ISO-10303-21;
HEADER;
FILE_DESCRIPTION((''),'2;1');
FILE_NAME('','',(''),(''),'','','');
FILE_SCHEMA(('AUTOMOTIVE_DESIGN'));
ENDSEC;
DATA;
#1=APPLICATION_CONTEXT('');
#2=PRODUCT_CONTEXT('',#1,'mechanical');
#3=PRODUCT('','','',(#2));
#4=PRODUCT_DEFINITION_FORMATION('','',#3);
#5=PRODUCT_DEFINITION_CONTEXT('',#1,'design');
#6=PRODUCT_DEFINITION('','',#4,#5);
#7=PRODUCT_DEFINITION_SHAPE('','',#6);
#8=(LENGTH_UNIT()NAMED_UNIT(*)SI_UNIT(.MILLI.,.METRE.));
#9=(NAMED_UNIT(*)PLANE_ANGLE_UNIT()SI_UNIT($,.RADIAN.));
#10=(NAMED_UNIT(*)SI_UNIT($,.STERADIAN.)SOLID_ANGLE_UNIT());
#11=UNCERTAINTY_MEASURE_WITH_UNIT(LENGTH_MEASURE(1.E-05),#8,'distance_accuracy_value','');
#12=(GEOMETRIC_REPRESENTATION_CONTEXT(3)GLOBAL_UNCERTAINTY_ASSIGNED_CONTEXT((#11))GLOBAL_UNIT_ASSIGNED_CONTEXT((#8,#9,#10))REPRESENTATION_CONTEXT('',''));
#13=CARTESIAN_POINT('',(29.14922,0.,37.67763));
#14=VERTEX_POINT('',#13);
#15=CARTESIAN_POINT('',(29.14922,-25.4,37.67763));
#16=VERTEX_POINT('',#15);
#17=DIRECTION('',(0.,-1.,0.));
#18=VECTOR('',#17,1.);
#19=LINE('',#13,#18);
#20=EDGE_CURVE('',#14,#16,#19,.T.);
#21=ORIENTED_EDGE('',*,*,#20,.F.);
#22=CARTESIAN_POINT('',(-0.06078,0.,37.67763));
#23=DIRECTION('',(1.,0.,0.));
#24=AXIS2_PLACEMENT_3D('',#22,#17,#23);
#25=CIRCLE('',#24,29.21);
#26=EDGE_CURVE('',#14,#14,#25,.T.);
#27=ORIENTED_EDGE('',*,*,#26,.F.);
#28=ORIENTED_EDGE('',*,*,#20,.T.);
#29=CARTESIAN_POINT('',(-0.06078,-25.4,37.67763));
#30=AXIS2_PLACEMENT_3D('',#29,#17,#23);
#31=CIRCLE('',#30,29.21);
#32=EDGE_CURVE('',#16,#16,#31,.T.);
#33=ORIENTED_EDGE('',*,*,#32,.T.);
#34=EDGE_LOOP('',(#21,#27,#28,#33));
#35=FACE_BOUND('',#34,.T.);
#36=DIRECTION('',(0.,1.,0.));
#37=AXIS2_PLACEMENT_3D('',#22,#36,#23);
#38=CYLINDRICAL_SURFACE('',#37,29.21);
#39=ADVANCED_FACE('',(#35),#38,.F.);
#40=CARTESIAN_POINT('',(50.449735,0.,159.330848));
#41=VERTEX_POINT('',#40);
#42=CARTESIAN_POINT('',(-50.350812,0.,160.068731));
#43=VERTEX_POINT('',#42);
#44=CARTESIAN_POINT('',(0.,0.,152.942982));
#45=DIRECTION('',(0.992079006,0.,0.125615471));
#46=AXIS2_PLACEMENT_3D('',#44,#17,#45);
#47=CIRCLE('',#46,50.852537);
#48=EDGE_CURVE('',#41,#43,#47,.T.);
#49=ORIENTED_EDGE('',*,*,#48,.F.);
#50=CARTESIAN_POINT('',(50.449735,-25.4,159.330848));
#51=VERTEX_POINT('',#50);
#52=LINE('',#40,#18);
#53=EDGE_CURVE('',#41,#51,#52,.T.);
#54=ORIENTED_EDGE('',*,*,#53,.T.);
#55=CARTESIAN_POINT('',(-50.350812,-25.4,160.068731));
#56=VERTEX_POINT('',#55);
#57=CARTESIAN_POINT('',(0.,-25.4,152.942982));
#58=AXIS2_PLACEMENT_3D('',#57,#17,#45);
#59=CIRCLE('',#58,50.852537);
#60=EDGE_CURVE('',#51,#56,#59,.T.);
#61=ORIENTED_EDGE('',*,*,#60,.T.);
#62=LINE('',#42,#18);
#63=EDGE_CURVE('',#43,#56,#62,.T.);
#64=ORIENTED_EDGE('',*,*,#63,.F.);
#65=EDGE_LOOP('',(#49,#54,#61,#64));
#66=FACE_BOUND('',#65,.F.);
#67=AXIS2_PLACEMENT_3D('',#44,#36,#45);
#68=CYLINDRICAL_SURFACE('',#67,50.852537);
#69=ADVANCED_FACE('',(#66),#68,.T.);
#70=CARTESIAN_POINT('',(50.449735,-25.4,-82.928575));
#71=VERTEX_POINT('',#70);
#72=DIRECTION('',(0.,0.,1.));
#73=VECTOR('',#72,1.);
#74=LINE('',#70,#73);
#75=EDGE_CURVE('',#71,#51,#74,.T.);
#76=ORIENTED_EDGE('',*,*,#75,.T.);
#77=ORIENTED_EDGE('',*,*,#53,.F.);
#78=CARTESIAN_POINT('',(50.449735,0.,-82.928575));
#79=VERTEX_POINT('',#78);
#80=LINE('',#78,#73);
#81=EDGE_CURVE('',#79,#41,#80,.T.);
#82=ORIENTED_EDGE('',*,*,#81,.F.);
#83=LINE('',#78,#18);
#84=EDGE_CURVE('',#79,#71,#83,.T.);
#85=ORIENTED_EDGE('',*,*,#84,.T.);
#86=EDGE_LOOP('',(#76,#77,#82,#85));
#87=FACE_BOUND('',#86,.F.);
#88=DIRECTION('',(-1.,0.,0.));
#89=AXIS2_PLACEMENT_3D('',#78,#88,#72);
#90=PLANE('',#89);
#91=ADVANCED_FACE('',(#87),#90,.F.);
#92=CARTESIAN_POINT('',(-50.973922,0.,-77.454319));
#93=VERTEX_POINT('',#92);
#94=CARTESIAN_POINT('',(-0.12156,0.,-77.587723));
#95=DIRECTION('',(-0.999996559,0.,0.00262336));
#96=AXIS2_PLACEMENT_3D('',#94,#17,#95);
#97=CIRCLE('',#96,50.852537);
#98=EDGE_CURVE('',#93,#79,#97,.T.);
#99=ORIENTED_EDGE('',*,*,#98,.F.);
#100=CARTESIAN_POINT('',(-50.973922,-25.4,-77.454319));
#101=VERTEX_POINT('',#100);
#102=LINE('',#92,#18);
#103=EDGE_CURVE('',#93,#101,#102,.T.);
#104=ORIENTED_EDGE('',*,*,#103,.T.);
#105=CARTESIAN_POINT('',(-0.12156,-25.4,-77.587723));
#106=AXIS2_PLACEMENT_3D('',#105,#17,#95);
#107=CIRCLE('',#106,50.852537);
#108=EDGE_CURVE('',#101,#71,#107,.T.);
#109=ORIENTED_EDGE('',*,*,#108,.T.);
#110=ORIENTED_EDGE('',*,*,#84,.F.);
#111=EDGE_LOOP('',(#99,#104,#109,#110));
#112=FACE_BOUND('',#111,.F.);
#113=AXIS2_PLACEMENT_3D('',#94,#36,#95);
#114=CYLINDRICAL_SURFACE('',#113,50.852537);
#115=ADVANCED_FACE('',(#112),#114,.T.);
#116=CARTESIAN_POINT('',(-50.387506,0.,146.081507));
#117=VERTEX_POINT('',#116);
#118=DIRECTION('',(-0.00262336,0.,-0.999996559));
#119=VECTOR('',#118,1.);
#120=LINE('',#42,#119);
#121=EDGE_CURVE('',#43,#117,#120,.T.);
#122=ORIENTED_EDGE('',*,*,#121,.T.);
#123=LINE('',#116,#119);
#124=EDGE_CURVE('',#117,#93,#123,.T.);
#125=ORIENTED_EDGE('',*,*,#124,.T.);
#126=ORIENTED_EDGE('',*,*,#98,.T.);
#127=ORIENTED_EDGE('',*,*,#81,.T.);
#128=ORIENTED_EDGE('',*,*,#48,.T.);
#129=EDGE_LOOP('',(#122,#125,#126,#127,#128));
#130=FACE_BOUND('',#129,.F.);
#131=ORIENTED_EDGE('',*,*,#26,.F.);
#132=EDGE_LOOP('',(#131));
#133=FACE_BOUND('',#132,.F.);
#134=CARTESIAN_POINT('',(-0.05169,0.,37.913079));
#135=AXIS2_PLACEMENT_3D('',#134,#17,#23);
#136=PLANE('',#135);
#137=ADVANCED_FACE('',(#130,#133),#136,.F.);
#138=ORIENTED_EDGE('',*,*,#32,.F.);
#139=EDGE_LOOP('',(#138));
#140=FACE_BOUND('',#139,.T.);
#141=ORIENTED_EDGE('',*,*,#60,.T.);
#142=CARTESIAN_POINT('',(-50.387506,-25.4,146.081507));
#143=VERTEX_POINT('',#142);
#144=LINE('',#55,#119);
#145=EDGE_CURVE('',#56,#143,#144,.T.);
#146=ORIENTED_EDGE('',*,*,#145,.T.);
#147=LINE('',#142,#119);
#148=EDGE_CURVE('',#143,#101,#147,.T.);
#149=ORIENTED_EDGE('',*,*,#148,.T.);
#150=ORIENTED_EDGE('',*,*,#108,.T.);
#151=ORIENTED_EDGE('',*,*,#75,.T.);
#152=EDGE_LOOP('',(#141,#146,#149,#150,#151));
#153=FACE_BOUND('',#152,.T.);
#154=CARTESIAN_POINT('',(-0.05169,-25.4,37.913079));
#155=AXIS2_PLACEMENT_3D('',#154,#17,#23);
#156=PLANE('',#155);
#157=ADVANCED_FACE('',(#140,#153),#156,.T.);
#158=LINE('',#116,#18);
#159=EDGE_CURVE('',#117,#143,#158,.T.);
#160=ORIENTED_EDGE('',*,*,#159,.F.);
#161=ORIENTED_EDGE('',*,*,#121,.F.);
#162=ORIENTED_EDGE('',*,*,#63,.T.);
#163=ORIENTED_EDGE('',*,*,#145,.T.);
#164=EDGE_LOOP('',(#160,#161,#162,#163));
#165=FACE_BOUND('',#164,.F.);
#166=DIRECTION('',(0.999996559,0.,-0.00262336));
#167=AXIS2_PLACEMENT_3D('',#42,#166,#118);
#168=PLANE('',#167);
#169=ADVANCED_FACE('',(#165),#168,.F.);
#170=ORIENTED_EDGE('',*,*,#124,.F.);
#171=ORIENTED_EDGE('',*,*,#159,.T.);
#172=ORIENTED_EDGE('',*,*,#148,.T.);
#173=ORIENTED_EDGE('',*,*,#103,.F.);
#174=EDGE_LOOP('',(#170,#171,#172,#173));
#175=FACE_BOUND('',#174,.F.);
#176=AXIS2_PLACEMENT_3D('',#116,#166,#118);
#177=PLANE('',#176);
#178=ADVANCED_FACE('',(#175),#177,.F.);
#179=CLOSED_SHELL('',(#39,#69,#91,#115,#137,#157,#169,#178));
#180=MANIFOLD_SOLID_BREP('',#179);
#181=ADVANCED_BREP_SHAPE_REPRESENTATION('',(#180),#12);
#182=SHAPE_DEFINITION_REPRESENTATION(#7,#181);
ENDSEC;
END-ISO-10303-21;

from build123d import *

# Parameters (mm, degrees)
F0_R     = 29.21
F1_DEPTH = 25.4


with BuildPart() as f1:
    # F0 (on Front) → F1 (new body)
    with BuildSketch(Plane.XZ):
        with BuildLine():
            Line((50.449734673, -72.2468710004), (50.449734673, 146.5551168173))
            Line((50.449734673, 146.5551168173), (50.449734673, 159.3308476873))
            ThreePointArc((50.449734673, 159.3308476873), (0.3722424884, 203.7941571545), (-50.3508118561, 160.0687312533))
            Line((-50.3508118561, 160.0687312533), (-50.3875055048, 146.0815070173))
            Line((-50.3875055048, 146.0815070173), (-50.9739224312, -77.4543185192))
            ThreePointArc((-50.9739224312, -77.4543185192), (-2.8622937198, -128.3663497529), (50.449734673, -82.9285750468))
            Line((50.449734673, -82.9285750468), (50.449734673, -72.2468710004))
        make_face()
        with Locations((-0.0607800403, 37.6776296144)):
            Circle(F0_R, mode=Mode.SUBTRACT)
    extrude(amount=F1_DEPTH)


solid = f1.part
